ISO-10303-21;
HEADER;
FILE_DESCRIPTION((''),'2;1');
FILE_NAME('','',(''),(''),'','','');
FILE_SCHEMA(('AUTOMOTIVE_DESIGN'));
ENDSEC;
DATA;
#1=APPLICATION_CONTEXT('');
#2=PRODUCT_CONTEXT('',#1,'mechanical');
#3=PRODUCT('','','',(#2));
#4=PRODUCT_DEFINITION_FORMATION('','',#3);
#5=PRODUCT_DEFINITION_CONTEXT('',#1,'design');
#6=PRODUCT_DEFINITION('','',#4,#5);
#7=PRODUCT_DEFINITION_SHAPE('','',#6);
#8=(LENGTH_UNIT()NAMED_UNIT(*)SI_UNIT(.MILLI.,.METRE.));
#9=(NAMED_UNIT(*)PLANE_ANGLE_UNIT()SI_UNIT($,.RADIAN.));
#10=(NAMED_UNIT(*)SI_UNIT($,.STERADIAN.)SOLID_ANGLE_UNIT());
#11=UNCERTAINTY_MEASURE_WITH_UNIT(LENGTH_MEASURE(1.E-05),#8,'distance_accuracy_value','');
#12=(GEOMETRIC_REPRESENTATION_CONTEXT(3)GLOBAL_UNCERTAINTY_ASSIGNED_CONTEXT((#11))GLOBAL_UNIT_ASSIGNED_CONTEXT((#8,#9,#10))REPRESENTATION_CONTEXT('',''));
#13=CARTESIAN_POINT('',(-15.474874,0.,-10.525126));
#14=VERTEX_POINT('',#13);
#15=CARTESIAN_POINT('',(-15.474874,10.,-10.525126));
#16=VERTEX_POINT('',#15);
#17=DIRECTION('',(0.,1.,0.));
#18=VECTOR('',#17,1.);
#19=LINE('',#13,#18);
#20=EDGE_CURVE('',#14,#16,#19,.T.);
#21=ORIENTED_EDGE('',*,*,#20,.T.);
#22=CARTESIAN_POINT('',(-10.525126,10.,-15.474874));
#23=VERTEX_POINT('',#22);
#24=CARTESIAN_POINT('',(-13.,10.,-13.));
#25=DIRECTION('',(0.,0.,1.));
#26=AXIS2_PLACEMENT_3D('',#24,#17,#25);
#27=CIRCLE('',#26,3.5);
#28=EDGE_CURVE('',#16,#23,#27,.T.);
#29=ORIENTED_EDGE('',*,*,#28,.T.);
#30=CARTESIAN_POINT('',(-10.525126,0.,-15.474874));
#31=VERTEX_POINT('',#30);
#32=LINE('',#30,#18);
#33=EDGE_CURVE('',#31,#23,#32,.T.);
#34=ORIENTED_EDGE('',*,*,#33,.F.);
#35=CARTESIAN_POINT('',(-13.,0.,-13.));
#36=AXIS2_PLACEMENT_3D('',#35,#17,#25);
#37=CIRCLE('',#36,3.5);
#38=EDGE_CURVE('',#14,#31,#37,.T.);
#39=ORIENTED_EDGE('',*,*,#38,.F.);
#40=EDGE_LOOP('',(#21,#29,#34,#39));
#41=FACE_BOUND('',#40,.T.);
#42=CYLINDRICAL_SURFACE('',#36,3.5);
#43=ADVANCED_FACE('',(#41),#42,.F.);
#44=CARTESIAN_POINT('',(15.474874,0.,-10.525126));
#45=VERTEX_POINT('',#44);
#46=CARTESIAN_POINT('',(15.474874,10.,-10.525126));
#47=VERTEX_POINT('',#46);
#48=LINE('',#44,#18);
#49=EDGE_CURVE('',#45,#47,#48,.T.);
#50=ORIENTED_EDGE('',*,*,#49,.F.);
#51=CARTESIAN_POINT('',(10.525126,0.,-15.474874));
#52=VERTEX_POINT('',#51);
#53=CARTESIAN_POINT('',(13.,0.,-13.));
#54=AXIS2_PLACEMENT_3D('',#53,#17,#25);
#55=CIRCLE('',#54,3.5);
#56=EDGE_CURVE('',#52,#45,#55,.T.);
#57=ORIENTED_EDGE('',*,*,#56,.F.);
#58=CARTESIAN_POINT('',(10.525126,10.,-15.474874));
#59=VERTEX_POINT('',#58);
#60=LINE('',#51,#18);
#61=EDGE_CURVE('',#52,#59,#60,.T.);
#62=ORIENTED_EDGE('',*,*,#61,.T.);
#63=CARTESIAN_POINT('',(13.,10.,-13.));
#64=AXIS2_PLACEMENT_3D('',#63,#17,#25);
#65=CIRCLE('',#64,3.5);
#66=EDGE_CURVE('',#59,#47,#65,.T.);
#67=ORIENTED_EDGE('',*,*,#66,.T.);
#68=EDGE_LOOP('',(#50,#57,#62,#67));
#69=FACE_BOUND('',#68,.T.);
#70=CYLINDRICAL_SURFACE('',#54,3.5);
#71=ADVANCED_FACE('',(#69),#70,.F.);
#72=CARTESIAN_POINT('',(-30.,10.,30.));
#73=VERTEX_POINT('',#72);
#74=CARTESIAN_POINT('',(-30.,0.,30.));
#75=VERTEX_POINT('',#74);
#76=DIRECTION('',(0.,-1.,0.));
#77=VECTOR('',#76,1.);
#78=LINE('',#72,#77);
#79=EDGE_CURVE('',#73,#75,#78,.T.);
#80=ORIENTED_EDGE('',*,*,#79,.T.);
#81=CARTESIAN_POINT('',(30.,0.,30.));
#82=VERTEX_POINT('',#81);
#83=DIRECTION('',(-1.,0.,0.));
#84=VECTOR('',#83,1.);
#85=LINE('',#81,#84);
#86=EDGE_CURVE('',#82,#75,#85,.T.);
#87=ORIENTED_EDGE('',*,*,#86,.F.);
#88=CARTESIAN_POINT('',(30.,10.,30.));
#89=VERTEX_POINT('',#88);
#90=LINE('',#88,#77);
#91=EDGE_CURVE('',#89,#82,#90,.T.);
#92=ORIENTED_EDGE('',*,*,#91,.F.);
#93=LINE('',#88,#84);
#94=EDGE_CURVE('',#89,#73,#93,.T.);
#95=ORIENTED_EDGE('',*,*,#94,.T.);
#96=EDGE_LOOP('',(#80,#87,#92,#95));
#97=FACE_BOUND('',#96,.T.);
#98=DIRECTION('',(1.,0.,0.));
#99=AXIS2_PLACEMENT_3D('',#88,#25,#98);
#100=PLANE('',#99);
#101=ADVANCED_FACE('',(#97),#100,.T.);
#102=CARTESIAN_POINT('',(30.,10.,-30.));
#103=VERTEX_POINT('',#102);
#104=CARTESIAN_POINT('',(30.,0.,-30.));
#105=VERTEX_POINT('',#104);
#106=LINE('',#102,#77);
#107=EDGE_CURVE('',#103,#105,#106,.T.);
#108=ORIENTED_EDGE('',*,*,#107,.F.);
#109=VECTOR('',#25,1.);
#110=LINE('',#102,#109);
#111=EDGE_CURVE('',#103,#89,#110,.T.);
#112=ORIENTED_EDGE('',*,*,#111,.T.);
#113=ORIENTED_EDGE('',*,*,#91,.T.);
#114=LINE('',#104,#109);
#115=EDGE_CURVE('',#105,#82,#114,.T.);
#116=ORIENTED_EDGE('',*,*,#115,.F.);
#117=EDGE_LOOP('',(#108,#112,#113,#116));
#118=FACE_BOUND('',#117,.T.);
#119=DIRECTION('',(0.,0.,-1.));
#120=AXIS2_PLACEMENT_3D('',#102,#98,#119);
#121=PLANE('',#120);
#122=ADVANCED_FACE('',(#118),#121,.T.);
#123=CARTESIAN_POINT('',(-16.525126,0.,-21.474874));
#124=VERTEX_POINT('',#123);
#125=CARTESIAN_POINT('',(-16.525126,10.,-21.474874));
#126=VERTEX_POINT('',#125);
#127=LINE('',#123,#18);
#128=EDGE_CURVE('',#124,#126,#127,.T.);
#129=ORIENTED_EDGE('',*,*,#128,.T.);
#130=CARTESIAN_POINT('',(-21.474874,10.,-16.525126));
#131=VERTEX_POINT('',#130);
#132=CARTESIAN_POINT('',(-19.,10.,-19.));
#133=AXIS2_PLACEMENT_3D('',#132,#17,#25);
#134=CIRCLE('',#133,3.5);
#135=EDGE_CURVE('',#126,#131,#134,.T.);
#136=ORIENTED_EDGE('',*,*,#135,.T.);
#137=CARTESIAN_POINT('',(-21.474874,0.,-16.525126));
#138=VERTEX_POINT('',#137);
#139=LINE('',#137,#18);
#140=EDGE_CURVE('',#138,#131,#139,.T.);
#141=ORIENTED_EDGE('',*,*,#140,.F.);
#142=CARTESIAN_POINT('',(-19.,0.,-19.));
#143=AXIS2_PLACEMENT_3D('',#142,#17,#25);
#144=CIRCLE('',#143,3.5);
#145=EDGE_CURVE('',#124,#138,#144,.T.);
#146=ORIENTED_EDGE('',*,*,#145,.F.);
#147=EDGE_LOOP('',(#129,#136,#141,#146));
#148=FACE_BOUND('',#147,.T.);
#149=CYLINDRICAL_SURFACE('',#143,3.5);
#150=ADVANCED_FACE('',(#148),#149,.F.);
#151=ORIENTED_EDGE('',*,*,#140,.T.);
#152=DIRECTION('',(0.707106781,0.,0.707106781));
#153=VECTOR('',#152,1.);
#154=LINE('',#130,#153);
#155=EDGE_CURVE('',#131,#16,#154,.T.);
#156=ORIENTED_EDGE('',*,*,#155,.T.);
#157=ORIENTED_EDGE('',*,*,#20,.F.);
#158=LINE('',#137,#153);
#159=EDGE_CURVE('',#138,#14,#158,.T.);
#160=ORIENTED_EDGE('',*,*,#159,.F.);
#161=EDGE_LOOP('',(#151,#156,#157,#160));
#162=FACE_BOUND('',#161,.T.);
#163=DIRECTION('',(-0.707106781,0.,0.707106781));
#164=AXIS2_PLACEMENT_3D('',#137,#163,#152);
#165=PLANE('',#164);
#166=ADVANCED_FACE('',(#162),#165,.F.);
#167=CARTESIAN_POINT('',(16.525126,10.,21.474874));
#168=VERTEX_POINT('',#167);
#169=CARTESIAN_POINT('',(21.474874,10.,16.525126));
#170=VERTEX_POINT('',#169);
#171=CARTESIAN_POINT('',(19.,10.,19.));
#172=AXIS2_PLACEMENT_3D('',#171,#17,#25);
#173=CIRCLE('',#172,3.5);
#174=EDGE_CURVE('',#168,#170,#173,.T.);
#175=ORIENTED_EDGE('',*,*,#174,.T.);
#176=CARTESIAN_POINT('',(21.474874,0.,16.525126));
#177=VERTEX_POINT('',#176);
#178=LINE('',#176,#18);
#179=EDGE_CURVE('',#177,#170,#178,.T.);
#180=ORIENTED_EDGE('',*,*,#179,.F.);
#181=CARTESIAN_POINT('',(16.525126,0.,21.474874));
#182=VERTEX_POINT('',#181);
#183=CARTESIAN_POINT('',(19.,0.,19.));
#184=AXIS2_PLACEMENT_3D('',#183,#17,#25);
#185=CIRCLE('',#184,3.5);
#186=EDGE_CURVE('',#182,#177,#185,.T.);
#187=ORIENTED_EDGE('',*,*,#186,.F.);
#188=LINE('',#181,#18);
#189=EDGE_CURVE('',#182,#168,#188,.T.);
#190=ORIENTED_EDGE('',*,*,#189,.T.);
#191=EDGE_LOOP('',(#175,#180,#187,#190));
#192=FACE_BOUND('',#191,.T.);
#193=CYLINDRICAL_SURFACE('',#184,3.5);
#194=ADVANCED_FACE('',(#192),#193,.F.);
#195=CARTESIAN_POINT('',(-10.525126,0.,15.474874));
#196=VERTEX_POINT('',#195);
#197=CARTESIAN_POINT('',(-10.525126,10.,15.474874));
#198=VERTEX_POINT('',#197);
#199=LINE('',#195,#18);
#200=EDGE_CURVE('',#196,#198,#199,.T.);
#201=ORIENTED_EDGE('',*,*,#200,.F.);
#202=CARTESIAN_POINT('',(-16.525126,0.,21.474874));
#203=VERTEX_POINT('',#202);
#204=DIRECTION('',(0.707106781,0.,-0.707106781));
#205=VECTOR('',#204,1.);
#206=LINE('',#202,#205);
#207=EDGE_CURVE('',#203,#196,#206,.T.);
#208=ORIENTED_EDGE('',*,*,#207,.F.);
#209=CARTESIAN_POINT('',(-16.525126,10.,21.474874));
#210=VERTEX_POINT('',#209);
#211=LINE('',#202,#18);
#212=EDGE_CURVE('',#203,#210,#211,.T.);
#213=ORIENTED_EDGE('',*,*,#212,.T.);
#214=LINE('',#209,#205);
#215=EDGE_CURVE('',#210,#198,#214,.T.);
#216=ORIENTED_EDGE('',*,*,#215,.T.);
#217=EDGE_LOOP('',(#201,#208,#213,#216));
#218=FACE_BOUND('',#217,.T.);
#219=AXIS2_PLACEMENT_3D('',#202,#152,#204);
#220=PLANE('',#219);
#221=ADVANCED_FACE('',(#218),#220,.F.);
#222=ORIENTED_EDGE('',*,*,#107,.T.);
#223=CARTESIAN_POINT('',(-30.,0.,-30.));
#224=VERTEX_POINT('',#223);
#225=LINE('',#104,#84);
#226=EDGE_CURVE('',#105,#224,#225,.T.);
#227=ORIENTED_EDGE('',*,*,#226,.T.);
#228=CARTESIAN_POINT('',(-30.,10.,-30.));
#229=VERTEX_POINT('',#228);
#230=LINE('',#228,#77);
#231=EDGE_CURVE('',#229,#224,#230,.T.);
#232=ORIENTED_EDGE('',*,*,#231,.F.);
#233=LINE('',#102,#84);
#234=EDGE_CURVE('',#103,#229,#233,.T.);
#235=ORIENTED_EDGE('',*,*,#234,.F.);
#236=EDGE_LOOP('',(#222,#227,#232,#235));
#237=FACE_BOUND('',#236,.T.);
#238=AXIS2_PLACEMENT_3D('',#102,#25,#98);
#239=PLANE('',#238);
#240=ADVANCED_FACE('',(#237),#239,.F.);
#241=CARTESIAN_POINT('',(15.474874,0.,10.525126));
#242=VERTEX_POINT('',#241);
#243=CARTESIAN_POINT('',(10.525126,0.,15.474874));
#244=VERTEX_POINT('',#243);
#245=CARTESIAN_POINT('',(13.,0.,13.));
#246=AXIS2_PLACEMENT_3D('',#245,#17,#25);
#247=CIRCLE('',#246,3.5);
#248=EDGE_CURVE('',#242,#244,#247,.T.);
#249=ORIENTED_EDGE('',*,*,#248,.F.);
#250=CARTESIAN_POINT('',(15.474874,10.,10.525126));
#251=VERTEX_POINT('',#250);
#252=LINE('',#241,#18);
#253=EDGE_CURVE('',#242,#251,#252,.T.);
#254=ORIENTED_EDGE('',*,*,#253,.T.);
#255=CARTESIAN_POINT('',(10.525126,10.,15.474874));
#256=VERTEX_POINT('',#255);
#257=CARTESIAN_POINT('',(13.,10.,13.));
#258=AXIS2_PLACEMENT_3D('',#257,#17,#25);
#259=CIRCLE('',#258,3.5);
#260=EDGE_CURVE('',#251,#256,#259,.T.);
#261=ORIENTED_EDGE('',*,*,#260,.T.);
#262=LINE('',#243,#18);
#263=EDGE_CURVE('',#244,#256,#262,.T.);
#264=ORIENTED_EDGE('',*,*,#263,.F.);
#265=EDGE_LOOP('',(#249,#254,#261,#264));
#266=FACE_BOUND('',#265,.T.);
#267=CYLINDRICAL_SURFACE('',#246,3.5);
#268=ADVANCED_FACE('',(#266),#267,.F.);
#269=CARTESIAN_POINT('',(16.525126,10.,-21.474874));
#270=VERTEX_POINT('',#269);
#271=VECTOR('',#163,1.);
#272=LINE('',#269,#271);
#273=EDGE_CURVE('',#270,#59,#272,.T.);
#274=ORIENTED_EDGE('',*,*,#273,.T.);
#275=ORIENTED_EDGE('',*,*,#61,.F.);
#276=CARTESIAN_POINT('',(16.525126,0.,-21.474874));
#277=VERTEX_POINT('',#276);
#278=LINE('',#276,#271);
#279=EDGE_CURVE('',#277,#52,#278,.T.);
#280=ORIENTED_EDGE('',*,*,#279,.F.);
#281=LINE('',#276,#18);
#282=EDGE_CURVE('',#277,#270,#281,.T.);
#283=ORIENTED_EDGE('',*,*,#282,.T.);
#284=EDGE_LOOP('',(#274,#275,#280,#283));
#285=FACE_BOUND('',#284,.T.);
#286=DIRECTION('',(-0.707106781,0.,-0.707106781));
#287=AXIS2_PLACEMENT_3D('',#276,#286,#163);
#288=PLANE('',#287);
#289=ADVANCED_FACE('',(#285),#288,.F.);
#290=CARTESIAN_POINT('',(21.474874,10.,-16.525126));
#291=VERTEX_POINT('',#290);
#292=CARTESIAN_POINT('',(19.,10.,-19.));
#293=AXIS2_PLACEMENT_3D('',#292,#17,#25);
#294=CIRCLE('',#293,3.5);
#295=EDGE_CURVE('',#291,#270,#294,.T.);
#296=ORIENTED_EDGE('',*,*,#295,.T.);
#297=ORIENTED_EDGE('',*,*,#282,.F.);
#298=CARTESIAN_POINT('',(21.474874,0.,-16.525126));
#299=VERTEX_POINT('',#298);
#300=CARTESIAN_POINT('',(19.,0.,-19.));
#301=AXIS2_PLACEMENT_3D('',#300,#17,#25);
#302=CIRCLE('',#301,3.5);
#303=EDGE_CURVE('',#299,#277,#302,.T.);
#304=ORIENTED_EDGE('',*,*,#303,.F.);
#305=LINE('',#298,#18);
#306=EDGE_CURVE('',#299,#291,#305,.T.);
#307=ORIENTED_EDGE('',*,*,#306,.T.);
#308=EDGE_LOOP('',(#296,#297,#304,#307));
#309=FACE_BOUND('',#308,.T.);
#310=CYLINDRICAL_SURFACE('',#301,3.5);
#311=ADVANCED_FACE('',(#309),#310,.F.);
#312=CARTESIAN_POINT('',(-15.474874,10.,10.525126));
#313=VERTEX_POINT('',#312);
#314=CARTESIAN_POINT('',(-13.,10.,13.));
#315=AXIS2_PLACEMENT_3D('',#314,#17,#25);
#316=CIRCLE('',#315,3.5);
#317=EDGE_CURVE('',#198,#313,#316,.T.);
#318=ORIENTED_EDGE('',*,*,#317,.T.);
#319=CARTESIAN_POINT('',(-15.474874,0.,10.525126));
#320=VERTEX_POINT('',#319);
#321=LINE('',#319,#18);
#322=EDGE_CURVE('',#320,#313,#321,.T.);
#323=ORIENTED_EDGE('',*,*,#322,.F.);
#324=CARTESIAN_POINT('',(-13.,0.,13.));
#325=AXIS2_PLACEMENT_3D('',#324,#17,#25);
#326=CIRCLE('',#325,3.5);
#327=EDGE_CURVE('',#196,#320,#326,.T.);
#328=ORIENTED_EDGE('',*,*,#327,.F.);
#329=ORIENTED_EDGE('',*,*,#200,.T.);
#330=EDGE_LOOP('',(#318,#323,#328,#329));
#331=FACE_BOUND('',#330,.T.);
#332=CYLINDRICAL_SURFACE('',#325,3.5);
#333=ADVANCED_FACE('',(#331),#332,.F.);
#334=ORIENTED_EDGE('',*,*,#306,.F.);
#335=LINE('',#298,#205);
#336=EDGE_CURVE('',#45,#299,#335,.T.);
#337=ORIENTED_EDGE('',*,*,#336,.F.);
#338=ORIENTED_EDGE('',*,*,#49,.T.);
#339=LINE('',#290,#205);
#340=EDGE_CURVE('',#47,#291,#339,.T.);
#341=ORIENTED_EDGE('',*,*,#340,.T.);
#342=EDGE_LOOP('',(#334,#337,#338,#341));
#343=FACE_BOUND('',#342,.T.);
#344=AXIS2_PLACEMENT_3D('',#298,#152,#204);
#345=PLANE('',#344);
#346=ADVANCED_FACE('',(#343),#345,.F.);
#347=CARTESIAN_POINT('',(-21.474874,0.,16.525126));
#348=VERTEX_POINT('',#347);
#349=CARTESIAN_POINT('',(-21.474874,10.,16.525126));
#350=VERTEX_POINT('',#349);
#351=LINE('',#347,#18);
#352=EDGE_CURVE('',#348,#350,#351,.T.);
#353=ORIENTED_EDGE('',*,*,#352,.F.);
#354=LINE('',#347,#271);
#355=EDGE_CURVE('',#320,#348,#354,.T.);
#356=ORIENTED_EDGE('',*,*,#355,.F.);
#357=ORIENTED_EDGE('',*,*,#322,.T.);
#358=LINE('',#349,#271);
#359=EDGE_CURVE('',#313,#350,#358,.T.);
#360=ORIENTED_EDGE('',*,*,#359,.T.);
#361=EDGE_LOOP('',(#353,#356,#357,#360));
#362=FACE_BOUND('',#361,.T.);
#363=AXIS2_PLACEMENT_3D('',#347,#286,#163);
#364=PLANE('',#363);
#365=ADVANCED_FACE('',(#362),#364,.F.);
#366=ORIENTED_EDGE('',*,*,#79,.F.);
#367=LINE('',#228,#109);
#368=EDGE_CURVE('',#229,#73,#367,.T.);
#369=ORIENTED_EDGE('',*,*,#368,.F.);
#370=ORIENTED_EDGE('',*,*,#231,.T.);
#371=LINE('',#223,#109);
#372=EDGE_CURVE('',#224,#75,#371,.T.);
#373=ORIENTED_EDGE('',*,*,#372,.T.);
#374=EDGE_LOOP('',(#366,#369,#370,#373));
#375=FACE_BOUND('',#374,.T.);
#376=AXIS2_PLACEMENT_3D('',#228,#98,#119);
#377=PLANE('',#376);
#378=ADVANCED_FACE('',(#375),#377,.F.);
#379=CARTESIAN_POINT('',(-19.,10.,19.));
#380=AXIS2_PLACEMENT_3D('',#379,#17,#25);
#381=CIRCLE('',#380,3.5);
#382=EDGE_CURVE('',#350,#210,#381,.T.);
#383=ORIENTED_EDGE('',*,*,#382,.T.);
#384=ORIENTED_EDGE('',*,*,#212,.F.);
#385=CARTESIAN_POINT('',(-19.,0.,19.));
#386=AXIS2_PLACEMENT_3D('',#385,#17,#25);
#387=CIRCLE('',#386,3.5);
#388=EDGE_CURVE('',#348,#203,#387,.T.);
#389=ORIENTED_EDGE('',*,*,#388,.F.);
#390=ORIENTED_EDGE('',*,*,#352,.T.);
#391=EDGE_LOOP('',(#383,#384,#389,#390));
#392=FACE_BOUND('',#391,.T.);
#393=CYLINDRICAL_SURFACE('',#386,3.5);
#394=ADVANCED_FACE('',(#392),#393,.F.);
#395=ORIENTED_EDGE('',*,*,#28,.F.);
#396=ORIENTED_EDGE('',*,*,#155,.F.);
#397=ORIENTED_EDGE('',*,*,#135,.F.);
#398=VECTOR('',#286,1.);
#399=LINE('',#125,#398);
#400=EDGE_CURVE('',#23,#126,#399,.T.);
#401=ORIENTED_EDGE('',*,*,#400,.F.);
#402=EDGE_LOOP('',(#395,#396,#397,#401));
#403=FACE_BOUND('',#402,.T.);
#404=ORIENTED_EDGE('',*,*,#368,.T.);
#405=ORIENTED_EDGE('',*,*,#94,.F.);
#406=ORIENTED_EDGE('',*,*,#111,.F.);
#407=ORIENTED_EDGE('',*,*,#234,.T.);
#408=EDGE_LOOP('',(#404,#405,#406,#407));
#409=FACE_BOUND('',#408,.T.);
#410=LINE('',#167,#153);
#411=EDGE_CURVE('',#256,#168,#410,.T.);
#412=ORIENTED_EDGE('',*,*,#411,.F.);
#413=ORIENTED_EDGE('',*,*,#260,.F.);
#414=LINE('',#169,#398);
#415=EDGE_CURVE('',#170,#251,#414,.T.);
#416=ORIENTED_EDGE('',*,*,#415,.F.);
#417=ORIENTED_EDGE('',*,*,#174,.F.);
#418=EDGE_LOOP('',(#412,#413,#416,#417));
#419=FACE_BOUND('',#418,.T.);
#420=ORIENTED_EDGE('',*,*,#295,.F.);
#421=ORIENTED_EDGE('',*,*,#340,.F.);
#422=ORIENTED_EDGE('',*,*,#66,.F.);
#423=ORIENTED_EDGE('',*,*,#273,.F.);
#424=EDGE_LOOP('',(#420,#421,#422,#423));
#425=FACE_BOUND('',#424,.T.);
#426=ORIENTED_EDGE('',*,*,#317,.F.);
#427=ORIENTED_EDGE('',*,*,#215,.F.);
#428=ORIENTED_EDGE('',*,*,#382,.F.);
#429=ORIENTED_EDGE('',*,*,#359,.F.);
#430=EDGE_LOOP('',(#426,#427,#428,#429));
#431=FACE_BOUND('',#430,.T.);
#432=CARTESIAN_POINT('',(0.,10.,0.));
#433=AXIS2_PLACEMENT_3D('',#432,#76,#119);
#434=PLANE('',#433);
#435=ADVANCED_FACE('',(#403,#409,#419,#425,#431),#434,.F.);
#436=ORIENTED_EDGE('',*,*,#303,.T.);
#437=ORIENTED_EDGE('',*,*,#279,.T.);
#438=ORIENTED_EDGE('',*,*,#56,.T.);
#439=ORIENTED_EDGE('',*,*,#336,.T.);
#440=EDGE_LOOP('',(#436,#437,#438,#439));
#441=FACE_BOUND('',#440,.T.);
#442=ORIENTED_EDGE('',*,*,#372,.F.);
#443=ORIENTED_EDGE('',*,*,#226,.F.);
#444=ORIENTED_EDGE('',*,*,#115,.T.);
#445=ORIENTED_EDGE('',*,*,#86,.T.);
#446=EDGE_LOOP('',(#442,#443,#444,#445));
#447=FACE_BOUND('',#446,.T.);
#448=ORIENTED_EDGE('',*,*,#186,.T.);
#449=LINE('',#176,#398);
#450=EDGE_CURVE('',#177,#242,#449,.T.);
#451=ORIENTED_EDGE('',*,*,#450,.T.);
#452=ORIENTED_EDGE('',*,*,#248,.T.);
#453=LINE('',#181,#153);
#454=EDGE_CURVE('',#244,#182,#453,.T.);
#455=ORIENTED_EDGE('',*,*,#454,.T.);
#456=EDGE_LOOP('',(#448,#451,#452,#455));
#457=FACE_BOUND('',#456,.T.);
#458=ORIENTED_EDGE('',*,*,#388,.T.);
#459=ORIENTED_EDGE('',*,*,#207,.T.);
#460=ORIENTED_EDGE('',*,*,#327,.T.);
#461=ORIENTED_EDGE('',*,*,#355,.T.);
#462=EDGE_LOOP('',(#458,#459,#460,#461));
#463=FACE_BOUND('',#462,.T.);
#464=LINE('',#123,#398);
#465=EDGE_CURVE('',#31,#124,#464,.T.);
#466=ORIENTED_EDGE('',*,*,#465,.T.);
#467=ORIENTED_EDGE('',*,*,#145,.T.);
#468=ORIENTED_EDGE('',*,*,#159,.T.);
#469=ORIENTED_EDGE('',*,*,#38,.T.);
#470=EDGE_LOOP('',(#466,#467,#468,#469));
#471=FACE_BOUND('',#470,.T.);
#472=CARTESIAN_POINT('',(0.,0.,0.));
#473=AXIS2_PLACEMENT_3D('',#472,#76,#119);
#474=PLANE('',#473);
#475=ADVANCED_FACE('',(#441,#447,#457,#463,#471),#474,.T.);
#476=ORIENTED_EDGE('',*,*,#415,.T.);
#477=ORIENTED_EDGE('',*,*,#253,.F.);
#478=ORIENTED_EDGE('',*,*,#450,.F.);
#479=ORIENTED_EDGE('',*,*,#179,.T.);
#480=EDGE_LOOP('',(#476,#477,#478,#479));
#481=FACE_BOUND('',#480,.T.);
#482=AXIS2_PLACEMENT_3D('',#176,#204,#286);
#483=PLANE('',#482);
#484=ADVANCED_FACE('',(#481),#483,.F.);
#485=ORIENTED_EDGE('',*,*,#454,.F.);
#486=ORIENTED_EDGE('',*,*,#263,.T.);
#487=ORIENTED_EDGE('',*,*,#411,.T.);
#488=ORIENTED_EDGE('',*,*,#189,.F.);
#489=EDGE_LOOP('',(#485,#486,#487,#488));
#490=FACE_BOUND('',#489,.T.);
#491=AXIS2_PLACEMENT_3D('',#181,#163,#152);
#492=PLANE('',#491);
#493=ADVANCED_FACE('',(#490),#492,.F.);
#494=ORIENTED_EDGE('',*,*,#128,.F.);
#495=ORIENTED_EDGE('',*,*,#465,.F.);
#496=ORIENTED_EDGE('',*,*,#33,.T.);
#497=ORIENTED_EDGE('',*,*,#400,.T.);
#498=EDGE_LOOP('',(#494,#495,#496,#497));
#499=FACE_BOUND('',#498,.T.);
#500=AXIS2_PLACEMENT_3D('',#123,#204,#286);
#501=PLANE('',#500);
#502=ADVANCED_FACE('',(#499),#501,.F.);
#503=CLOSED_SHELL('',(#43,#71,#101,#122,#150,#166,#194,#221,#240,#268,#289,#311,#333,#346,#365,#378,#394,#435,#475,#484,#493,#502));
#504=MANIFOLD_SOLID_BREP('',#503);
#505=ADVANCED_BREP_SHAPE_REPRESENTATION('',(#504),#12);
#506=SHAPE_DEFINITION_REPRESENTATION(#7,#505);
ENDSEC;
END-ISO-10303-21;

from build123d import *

# Parameters (mm, degrees)
SKETCH1_W           = 60
SKETCH1_H           = 60
BOSS_EXTRUDE1_DEPTH = 10
CUT_EXTRUDE1_DEPTH  = 11


with BuildPart() as part:
    # Sketch1 → Boss-Extrude1 (new body)
    with BuildSketch(Plane(origin=(0, 0, 0), x_dir=(1, 0, 0), z_dir=(0, 1, 0))):
        Rectangle(SKETCH1_W, SKETCH1_H)
    extrude(amount=BOSS_EXTRUDE1_DEPTH)

    # Sketch4 → Cut-Extrude1 (cut, through all)
    with BuildSketch(Plane(origin=(0, 10, 0), x_dir=(1, 0, 0), z_dir=(0, 1, 0))):
        with BuildLine():
            Line((-16.525126266, 21.474873734), (-10.525126266, 15.474873734))
            ThreePointArc((-10.525126266, 15.474873734), (-10.525126266, 10.525126266), (-15.474873734, 10.525126266))
            Line((-15.474873734, 10.525126266), (-21.474873734, 16.525126266))
            ThreePointArc((-21.474873734, 16.525126266), (-21.474873734, 21.474873734), (-16.525126266, 21.474873734))
        make_face()
        with BuildLine():
            Line((21.474873734, 16.525126266), (15.474873734, 10.525126266))
            ThreePointArc((15.474873734, 10.525126266), (10.525126266, 10.525126266), (10.525126266, 15.474873734))
            Line((10.525126266, 15.474873734), (16.525126266, 21.474873734))
            ThreePointArc((16.525126266, 21.474873734), (21.474873734, 21.474873734), (21.474873734, 16.525126266))
        make_face()
        with BuildLine():
            Line((16.525126266, -21.474873734), (10.525126266, -15.474873734))
            ThreePointArc((10.525126266, -15.474873734), (10.525126266, -10.525126266), (15.474873734, -10.525126266))
            Line((15.474873734, -10.525126266), (21.474873734, -16.525126266))
            ThreePointArc((21.474873734, -16.525126266), (21.474873734, -21.474873734), (16.525126266, -21.474873734))
        make_face()
        with BuildLine():
            Line((-21.474873734, -16.525126266), (-15.474873734, -10.525126266))
            ThreePointArc((-15.474873734, -10.525126266), (-10.525126266, -10.525126266), (-10.525126266, -15.474873734))
            Line((-10.525126266, -15.474873734), (-16.525126266, -21.474873734))
            ThreePointArc((-16.525126266, -21.474873734), (-21.474873734, -21.474873734), (-21.474873734, -16.525126266))
        make_face()
    extrude(amount=-CUT_EXTRUDE1_DEPTH, mode=Mode.SUBTRACT)


solid = part.part
